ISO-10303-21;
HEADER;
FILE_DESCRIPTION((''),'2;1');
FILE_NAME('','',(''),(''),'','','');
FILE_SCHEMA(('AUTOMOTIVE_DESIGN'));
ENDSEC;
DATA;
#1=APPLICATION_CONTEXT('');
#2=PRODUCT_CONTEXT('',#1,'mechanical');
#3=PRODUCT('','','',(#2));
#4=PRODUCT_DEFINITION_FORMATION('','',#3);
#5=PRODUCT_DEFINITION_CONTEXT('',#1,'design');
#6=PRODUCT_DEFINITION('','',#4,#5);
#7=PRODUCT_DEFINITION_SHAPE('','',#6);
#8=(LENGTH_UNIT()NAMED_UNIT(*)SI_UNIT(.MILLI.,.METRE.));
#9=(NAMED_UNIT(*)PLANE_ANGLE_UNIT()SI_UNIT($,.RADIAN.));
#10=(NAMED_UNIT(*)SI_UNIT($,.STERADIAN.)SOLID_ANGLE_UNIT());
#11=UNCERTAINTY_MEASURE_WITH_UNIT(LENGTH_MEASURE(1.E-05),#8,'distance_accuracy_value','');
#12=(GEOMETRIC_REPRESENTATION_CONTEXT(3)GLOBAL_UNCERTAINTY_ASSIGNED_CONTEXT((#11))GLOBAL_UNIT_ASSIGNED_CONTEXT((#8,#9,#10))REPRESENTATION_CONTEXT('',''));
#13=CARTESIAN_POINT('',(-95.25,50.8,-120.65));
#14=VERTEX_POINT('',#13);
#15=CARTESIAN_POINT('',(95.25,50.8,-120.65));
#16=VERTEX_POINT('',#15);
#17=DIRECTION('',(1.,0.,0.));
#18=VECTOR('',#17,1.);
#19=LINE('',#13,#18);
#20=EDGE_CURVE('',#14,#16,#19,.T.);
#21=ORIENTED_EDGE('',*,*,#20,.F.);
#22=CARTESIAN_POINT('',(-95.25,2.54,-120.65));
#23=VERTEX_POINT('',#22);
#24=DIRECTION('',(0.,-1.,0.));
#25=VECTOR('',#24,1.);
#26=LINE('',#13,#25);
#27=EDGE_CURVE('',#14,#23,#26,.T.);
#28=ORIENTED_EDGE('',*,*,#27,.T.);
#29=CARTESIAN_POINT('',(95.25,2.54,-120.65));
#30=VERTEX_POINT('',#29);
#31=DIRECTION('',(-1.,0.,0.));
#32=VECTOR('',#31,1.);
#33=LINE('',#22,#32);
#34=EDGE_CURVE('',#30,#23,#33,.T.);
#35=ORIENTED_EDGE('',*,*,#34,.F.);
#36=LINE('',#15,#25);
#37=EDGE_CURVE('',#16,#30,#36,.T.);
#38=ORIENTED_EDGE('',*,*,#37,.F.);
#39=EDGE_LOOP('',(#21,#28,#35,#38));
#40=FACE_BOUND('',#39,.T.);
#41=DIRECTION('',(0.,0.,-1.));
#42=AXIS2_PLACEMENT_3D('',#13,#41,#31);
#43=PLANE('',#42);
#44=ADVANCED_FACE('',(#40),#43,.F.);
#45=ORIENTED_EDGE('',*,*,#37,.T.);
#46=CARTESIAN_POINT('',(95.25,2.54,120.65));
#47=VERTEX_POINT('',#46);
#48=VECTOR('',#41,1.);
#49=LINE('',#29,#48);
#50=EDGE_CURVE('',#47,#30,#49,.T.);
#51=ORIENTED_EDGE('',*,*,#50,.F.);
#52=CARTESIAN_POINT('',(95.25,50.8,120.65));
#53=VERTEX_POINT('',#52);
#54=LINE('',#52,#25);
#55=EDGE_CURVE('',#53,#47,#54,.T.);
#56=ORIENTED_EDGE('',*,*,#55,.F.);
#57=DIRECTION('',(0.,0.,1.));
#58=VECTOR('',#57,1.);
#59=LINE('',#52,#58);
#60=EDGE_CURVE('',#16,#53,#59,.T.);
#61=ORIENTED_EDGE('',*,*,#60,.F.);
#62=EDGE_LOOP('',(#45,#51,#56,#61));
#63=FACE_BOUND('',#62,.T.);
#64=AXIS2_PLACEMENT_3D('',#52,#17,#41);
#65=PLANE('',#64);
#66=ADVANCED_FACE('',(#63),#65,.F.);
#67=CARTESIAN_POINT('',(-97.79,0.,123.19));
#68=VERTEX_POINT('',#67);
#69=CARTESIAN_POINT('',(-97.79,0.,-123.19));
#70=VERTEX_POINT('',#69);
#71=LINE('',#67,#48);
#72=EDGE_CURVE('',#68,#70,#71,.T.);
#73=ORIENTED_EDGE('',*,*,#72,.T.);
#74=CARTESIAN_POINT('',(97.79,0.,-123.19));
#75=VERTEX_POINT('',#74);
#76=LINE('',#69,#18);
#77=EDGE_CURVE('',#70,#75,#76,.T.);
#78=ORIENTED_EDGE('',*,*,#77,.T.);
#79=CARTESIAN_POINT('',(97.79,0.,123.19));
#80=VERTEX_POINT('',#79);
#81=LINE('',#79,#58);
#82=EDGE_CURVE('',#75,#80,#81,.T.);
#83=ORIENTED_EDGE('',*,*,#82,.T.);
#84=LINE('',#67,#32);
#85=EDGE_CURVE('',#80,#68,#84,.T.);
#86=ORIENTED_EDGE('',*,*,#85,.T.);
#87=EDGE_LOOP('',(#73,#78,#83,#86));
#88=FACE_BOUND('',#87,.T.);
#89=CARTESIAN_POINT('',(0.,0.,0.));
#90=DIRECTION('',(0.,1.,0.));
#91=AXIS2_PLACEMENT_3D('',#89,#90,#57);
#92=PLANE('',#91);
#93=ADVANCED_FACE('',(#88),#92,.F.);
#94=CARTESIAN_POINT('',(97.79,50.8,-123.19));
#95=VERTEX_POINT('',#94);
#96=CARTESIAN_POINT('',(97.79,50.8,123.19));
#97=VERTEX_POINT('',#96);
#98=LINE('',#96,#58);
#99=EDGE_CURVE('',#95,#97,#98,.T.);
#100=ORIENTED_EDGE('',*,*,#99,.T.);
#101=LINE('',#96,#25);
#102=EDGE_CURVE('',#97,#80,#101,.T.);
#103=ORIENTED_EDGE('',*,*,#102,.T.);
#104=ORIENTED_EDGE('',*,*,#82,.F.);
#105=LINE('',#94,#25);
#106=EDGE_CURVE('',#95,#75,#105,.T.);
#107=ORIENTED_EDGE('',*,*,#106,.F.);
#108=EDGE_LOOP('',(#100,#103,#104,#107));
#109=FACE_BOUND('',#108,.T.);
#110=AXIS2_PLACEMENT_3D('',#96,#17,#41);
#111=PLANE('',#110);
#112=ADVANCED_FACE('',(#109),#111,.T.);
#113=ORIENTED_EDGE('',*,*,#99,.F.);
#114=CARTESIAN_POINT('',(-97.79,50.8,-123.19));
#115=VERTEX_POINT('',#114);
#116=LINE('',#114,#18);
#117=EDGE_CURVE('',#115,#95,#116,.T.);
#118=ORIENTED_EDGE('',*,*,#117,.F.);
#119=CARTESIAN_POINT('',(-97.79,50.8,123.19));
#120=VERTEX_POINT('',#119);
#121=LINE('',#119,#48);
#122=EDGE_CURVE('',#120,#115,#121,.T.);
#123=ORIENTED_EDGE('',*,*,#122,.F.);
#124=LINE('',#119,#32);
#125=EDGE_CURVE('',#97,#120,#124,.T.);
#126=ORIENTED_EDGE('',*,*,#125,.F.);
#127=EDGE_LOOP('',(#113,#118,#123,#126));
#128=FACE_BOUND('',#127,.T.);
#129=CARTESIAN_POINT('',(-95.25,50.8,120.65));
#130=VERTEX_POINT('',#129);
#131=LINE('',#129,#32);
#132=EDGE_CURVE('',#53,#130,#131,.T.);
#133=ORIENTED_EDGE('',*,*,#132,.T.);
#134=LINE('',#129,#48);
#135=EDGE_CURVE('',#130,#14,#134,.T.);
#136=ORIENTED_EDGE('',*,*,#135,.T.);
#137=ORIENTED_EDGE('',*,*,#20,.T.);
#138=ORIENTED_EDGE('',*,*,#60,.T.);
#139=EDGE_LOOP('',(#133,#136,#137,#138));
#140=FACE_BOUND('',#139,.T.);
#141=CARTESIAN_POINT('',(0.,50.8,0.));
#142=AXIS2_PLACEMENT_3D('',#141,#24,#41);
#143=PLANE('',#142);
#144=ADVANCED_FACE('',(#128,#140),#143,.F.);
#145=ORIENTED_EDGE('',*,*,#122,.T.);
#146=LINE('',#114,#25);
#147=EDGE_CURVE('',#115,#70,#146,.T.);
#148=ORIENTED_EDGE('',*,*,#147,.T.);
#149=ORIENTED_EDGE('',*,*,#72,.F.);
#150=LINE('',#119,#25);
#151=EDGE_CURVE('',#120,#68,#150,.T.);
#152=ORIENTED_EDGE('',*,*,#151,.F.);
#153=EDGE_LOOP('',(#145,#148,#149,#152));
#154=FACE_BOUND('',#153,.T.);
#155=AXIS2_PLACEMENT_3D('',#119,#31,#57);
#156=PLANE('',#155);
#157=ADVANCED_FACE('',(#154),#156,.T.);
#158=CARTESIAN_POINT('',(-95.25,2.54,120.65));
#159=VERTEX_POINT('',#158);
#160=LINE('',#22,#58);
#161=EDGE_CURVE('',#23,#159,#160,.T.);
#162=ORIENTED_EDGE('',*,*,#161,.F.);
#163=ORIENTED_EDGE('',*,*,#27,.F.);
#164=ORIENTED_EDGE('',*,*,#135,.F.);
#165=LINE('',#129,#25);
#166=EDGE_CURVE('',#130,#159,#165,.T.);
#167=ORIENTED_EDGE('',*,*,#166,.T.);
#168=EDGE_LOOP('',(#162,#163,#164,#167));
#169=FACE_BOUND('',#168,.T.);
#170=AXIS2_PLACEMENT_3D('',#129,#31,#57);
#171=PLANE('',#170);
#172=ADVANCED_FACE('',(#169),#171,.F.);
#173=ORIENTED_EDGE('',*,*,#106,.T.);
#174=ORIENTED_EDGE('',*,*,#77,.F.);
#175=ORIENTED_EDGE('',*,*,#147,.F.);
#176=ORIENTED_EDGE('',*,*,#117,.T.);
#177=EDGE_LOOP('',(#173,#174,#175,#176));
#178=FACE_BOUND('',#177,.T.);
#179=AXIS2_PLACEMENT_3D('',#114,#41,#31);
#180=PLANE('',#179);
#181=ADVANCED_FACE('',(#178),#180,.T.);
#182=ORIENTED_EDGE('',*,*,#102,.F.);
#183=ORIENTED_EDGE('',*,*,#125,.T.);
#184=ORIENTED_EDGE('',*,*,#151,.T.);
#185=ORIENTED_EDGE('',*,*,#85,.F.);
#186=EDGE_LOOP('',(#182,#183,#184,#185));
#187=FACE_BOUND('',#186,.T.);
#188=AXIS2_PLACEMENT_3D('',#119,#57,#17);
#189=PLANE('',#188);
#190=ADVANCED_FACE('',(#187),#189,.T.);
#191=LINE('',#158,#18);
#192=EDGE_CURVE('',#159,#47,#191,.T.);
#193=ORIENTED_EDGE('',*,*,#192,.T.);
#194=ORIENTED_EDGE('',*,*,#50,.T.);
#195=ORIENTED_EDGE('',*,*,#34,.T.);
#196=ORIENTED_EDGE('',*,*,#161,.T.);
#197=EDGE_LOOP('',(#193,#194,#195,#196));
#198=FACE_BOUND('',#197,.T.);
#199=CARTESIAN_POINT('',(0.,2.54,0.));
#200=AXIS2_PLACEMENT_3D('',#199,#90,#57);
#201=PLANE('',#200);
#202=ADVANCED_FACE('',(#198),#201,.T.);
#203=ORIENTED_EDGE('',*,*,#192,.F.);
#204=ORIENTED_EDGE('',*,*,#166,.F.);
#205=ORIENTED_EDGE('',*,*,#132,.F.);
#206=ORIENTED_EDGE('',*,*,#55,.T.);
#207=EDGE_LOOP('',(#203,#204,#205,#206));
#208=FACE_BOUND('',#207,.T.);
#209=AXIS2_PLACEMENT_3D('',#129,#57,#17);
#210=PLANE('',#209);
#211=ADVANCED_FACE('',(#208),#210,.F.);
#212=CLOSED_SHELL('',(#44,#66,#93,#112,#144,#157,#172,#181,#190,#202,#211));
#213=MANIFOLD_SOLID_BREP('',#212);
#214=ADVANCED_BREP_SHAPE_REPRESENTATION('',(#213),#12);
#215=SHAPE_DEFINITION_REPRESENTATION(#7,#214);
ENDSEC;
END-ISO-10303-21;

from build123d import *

# Parameters (mm, degrees)
SKETCH1_W           = 190.5
SKETCH1_H           = 241.3
BOSS_EXTRUDE1_DEPTH = 2.54
SKETCH2_W           = 195.58
SKETCH2_H           = 246.38
SKETCH2_W_2         = 190.5
SKETCH2_H_2         = 241.3
BOSS_EXTRUDE2_DEPTH = 50.8


with BuildPart() as part:
    # Sketch1 → Boss-Extrude1 (new body)
    with BuildSketch(Plane(origin=(0, 0, 0), x_dir=(1, 0, 0), z_dir=(0, 1, 0))):
        Rectangle(SKETCH1_W, SKETCH1_H)
    extrude(amount=BOSS_EXTRUDE1_DEPTH)

    # Sketch2 → Boss-Extrude2 (add)
    with BuildSketch(Plane.XZ):
        Rectangle(SKETCH2_W, SKETCH2_H)
        Rectangle(SKETCH2_W_2, SKETCH2_H_2, mode=Mode.SUBTRACT)
    extrude(amount=-BOSS_EXTRUDE2_DEPTH)


solid = part.part
